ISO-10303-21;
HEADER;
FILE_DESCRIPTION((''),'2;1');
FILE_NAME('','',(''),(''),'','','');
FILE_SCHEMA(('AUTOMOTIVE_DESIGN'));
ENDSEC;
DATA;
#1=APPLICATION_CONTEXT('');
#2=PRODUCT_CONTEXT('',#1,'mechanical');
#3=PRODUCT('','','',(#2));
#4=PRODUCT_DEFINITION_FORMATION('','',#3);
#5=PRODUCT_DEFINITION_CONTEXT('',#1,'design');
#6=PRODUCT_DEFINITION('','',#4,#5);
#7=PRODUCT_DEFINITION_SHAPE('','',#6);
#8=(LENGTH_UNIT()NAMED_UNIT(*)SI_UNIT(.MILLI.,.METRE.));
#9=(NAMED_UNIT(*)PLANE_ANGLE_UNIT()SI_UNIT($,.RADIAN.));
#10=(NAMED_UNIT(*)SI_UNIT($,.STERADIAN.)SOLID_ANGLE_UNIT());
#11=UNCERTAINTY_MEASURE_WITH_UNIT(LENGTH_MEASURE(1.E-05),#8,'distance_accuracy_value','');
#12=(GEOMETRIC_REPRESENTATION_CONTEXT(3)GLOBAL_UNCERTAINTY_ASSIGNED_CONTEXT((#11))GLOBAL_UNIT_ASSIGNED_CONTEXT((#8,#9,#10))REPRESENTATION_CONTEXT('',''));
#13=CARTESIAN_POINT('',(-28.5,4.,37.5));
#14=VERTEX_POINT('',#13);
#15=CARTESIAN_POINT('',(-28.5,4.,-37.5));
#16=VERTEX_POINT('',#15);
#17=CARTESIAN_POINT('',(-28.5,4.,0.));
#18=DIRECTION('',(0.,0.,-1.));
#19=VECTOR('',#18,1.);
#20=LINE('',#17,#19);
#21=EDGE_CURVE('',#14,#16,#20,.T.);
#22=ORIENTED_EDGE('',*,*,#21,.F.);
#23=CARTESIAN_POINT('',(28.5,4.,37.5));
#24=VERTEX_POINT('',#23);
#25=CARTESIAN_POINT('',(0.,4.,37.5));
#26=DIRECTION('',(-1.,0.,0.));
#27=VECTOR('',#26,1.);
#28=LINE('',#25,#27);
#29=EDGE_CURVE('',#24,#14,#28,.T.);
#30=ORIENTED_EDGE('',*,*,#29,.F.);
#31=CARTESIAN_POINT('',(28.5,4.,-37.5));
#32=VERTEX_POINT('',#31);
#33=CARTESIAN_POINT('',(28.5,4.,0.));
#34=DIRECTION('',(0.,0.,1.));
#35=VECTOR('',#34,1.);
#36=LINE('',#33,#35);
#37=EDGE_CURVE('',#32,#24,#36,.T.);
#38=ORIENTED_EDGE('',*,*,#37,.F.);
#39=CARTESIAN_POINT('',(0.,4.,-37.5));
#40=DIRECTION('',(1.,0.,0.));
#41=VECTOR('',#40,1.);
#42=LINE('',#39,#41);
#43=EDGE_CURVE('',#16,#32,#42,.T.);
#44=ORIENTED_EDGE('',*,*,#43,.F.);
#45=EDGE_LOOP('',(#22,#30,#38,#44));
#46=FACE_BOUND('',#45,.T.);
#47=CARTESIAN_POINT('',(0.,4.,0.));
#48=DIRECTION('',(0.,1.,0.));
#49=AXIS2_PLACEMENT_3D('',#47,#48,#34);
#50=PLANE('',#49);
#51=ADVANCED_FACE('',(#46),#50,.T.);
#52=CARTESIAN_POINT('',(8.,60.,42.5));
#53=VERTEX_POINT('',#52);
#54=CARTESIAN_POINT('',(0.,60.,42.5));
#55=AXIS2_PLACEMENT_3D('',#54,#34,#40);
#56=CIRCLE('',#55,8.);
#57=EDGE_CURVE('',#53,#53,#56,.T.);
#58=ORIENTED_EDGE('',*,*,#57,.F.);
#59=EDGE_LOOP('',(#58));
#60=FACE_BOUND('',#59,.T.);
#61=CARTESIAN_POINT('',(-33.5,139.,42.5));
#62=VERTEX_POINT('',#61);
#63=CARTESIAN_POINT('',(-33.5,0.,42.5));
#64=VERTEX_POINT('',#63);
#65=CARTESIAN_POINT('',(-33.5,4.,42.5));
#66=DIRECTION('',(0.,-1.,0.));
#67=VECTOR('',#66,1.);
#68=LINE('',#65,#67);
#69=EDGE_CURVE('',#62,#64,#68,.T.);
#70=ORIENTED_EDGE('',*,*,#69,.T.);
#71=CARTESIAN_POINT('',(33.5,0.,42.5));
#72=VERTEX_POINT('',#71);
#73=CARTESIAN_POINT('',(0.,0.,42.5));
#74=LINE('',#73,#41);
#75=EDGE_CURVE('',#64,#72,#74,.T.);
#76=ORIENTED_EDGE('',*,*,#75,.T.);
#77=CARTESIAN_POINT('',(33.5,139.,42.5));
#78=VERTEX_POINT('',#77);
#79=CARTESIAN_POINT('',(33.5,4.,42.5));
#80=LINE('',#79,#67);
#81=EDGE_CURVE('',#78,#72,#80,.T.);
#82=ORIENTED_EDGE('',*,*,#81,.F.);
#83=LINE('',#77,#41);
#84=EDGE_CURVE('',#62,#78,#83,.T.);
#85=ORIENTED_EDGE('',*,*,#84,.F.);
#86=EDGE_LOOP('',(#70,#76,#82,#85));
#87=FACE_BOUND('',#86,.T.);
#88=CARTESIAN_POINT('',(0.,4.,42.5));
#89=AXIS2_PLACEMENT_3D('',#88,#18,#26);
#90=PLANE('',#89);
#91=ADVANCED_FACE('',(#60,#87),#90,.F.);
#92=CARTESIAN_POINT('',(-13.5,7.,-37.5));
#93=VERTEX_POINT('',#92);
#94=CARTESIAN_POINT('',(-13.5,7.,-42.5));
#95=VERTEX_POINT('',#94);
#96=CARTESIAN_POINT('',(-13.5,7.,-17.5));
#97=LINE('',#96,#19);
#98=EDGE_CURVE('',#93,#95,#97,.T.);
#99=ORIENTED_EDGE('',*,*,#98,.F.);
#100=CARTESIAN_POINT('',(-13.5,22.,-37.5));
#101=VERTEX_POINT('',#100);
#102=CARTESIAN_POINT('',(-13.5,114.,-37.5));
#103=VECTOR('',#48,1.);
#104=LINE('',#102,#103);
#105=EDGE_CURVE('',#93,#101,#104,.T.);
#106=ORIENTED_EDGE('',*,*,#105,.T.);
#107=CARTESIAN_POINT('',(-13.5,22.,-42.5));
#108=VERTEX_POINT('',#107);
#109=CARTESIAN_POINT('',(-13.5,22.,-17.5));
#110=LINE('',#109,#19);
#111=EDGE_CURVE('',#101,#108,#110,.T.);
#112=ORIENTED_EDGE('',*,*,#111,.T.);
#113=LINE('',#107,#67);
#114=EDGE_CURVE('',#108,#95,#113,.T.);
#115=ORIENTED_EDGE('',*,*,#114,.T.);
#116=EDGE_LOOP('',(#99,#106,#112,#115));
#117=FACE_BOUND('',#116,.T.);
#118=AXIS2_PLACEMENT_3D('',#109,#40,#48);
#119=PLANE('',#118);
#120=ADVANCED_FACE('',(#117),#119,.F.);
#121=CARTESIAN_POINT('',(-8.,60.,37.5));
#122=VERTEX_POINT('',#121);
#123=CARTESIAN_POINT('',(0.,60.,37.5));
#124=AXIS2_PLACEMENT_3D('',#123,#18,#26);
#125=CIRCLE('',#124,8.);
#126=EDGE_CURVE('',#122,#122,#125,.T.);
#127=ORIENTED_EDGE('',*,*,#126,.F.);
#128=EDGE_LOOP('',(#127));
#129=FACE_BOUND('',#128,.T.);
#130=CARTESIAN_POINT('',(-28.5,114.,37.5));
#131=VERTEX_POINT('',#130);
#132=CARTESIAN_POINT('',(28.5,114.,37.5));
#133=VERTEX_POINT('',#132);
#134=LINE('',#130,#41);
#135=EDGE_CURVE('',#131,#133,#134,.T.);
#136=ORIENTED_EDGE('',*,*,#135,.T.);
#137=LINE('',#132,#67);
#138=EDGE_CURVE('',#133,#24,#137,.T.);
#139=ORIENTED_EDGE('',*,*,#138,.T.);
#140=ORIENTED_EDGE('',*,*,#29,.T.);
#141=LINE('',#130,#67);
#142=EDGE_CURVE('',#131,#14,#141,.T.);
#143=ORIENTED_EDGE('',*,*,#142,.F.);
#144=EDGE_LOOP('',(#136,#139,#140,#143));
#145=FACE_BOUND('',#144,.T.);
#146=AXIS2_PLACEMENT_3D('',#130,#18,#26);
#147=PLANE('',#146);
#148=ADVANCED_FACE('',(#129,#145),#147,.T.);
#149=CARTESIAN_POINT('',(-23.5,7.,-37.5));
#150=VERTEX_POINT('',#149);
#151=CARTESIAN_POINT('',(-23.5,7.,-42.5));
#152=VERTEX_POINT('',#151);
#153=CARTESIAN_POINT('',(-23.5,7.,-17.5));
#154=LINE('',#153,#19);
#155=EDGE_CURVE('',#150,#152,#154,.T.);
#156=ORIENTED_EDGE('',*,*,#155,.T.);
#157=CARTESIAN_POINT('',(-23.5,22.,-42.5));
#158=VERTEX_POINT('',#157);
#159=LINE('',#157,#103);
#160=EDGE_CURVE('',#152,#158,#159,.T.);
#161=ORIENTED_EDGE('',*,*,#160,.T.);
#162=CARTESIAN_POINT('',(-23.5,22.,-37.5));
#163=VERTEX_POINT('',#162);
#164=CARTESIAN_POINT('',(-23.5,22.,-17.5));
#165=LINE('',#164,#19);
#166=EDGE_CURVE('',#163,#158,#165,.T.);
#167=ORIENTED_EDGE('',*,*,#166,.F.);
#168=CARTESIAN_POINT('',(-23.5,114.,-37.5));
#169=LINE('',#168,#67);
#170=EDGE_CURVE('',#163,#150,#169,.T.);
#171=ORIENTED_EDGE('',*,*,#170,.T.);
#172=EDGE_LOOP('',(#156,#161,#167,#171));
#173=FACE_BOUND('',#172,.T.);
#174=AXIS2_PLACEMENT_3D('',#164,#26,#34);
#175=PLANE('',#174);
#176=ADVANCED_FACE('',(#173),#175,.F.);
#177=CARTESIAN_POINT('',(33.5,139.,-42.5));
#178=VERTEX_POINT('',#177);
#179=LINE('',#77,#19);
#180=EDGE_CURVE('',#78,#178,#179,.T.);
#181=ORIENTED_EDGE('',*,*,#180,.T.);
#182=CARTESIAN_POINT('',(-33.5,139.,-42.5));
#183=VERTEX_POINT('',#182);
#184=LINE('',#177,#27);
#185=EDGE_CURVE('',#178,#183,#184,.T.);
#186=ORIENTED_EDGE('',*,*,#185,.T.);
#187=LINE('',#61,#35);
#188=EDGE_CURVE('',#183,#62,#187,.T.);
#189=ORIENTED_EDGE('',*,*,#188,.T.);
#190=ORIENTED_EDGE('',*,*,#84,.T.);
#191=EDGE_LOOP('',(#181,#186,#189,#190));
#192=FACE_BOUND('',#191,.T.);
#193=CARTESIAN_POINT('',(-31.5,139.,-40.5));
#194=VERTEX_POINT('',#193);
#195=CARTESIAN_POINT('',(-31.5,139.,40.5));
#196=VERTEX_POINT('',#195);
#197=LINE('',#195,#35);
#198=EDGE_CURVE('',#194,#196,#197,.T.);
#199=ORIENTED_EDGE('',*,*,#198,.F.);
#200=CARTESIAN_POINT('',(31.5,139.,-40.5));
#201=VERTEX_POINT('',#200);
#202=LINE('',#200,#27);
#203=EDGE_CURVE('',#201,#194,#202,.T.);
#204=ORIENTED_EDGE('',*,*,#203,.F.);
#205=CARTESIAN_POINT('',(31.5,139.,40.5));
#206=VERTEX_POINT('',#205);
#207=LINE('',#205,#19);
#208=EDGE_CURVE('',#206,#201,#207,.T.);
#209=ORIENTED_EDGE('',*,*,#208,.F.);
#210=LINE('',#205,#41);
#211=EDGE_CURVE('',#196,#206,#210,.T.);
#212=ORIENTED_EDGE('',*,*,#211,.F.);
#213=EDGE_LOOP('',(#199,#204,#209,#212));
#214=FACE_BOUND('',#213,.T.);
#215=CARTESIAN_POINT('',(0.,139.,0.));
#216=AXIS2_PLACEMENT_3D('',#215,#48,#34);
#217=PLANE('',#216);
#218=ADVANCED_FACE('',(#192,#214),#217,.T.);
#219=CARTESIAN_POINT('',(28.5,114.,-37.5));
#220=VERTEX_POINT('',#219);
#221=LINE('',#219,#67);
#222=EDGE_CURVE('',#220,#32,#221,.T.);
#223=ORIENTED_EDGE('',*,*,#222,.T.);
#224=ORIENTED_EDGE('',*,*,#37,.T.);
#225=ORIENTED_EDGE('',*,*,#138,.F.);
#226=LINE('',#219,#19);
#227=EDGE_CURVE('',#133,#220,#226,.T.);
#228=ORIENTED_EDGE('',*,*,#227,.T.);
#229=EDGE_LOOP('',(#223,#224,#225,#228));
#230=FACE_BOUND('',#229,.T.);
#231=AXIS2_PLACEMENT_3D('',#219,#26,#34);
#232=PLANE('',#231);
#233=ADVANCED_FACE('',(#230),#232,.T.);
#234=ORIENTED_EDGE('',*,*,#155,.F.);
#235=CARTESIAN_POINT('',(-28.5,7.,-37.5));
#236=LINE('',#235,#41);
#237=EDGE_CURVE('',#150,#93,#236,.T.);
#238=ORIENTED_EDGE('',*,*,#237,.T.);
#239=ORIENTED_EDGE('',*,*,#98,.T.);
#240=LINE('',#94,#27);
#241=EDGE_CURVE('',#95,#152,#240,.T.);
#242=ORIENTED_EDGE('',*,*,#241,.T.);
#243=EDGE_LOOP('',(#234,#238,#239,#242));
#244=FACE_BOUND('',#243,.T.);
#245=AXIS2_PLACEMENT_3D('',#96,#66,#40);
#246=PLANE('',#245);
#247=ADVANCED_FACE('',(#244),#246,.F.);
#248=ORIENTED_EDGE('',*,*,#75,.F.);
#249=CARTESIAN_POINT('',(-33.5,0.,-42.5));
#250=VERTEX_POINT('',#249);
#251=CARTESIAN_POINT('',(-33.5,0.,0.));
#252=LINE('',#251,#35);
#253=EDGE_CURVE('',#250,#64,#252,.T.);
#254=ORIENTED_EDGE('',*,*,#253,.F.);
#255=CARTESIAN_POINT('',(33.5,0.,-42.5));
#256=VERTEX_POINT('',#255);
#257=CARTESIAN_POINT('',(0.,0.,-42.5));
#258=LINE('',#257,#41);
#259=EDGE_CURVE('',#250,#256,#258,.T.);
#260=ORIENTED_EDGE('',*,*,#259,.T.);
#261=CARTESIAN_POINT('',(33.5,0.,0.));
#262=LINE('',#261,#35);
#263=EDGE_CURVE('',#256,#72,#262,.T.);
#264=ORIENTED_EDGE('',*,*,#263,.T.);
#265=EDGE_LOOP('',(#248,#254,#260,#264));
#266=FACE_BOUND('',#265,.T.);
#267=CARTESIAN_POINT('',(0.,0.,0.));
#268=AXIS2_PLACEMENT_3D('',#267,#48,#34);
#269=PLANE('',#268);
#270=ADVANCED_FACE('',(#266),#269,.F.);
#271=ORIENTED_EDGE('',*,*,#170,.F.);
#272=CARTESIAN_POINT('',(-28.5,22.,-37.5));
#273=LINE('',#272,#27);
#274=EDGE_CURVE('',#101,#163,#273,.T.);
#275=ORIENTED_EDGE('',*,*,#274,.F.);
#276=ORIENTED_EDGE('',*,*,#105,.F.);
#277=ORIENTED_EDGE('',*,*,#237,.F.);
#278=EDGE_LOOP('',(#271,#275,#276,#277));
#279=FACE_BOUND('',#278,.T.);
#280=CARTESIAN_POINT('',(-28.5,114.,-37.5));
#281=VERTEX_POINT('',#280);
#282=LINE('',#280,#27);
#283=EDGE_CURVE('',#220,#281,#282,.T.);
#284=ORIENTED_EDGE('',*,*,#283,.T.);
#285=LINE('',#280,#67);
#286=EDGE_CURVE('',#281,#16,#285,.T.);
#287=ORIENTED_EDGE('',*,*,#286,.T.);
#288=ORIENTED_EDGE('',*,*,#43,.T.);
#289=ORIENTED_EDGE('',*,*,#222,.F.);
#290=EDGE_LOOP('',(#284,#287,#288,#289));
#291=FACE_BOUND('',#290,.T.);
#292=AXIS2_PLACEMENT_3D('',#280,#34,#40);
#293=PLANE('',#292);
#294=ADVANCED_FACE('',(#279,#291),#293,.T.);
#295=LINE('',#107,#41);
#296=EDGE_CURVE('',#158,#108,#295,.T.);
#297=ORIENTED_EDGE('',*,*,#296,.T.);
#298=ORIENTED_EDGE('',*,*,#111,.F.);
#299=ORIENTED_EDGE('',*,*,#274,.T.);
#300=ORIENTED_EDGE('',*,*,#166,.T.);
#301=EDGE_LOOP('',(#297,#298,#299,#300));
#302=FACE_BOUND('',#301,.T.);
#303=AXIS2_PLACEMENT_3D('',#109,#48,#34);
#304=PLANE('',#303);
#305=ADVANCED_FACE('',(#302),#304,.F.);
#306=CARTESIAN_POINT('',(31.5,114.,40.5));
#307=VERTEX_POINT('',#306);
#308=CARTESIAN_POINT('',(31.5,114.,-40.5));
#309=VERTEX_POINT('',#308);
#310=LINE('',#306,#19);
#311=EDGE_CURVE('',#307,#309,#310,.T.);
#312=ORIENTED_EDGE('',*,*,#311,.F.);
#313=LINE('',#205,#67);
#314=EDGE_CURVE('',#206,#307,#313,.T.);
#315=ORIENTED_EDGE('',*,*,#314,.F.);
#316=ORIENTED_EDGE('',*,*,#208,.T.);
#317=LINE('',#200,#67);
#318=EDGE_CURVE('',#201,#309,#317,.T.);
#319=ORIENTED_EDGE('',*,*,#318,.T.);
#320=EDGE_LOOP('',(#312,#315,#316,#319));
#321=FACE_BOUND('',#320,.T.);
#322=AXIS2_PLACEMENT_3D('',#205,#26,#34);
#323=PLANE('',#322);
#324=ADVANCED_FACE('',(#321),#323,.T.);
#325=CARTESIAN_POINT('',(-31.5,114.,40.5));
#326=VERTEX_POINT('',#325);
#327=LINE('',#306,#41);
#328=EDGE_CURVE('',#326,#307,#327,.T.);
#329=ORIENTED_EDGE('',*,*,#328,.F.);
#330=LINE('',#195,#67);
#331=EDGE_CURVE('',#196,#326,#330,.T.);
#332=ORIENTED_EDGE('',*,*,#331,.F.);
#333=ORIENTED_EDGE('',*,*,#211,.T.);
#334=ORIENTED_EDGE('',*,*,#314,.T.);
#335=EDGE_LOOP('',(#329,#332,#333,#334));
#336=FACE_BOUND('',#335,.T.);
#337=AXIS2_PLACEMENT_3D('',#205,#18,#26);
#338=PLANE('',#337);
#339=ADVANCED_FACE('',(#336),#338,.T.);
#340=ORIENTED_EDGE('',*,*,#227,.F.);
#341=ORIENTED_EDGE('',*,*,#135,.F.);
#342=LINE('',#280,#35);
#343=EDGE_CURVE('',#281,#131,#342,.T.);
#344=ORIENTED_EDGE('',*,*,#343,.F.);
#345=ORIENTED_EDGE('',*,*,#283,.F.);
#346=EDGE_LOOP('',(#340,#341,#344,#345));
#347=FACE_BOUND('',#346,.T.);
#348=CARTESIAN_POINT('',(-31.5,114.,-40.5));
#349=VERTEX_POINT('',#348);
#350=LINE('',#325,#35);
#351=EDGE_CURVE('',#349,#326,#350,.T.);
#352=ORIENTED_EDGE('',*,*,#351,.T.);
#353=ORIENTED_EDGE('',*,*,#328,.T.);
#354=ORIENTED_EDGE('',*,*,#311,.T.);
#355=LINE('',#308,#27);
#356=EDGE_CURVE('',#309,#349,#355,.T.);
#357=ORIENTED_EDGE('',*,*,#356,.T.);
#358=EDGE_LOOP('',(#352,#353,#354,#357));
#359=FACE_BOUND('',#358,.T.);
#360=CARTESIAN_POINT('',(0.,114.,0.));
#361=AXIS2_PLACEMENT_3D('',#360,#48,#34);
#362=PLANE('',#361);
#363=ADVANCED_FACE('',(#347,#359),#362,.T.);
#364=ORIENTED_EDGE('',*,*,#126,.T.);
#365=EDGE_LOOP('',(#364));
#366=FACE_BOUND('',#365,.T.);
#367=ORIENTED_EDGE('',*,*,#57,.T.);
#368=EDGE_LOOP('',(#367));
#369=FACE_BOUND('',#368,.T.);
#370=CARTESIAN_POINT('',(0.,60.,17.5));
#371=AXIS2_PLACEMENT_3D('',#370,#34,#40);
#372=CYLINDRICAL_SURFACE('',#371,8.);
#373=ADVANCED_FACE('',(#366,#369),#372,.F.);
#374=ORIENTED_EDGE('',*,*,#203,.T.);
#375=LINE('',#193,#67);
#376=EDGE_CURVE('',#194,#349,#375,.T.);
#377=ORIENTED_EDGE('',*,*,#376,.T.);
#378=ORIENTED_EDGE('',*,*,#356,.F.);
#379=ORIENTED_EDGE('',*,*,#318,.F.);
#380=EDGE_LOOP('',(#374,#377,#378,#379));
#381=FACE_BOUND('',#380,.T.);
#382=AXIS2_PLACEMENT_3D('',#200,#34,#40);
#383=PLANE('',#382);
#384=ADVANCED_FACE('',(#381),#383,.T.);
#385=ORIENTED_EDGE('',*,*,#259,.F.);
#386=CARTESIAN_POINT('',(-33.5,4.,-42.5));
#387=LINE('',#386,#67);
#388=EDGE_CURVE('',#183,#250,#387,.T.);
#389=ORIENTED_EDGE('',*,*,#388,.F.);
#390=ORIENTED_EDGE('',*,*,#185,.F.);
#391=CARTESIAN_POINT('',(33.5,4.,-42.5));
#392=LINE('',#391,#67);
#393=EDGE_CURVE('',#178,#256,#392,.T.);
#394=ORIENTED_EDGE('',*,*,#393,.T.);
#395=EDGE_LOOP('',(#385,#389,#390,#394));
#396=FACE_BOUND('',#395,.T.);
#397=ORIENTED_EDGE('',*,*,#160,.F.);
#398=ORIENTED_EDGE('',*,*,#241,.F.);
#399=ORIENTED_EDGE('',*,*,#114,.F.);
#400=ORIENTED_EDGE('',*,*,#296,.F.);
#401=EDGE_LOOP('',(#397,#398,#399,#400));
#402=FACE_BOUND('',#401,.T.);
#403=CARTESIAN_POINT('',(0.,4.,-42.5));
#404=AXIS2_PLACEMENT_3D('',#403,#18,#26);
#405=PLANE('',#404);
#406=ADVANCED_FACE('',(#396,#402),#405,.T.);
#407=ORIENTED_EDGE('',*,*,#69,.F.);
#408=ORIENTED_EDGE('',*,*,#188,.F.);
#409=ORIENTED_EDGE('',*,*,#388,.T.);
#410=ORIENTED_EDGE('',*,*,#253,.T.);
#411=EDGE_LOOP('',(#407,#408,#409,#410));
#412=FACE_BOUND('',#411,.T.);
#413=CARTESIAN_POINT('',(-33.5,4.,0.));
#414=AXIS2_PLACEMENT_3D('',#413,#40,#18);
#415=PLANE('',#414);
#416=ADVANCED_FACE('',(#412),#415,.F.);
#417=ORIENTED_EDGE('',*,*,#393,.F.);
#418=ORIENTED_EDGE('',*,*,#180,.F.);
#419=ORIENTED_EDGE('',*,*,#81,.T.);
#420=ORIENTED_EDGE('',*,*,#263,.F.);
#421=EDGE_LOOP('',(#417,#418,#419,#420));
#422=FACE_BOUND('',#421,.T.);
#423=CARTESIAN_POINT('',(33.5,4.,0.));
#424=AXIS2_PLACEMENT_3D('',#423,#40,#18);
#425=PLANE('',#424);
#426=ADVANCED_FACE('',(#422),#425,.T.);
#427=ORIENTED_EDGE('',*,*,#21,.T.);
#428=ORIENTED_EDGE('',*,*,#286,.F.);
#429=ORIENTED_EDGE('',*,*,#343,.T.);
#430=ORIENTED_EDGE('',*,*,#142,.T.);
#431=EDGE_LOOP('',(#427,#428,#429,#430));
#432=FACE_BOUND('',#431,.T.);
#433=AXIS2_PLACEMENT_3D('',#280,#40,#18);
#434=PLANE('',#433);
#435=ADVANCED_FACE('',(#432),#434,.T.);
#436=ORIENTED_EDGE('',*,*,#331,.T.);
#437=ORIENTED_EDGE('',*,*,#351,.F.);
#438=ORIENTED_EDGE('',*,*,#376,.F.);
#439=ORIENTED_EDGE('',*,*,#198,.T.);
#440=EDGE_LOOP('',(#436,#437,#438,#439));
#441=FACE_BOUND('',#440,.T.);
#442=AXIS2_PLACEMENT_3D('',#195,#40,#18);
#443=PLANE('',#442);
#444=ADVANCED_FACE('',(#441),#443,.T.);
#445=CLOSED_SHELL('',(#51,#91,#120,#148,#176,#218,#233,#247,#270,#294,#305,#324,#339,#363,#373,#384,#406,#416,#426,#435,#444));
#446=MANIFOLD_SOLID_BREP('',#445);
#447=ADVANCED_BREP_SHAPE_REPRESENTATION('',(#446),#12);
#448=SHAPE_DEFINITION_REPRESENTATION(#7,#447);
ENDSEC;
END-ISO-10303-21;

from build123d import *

# Parameters (mm, degrees)
SKETCH2_W           = 67
SKETCH2_H           = 85
BOSS_EXTRUDE1_DEPTH = 4
SKETCH2_3_W         = 67
SKETCH2_3_H         = 85
SKETCH2_3_W_2       = 57
SKETCH2_3_H_2       = 75
BOSS_EXTRUDE2_DEPTH = 114
SKETCH4_W           = 67
SKETCH4_H           = 85
SKETCH4_W_2         = 63
SKETCH4_H_2         = 81
BOSS_EXTRUDE3_DEPTH = 25
SKETCH6_R           = 8
CUT_EXTRUDE1_DEPTH  = 25
SKETCH5_W           = 10
SKETCH5_H           = 15
CUT_EXTRUDE2_DEPTH  = 25


with BuildPart() as part:
    # Sketch2 → Boss-Extrude1 (new body)
    with BuildSketch(Plane(origin=(0, 0, 0), x_dir=(1, 0, 0), z_dir=(0, 1, 0))):
        Rectangle(SKETCH2_W, SKETCH2_H)
    extrude(amount=BOSS_EXTRUDE1_DEPTH)

    # Sketch2<3> → Boss-Extrude2 (add)
    with BuildSketch(Plane(origin=(0, 0, 0), x_dir=(1, 0, 0), z_dir=(0, 1, 0))):
        Rectangle(SKETCH2_3_W, SKETCH2_3_H)
        Rectangle(SKETCH2_3_W_2, SKETCH2_3_H_2, mode=Mode.SUBTRACT)
    extrude(amount=BOSS_EXTRUDE2_DEPTH)

    # Sketch4 → Boss-Extrude3 (add)
    with BuildSketch(Plane(origin=(0, 114, 0), x_dir=(1, 0, 0), z_dir=(0, 1, 0))):
        Rectangle(SKETCH4_W, SKETCH4_H)
        Rectangle(SKETCH4_W_2, SKETCH4_H_2, mode=Mode.SUBTRACT)
    extrude(amount=BOSS_EXTRUDE3_DEPTH)

    # Sketch6 → Cut-Extrude1 (cut)
    with BuildSketch(Plane.XY.offset(42.5)):
        with Locations((0, 60)):
            Circle(SKETCH6_R)
    extrude(amount=-CUT_EXTRUDE1_DEPTH, mode=Mode.SUBTRACT)

    # Sketch5 → Cut-Extrude2 (cut)
    with BuildSketch(Plane(origin=(0, 0, -42.5), x_dir=(-1, 0, 0), z_dir=(0, 0, -1))):
        with Locations((18.5, 14.5)):
            Rectangle(SKETCH5_W, SKETCH5_H)
    extrude(amount=-CUT_EXTRUDE2_DEPTH, mode=Mode.SUBTRACT)


solid = part.part
